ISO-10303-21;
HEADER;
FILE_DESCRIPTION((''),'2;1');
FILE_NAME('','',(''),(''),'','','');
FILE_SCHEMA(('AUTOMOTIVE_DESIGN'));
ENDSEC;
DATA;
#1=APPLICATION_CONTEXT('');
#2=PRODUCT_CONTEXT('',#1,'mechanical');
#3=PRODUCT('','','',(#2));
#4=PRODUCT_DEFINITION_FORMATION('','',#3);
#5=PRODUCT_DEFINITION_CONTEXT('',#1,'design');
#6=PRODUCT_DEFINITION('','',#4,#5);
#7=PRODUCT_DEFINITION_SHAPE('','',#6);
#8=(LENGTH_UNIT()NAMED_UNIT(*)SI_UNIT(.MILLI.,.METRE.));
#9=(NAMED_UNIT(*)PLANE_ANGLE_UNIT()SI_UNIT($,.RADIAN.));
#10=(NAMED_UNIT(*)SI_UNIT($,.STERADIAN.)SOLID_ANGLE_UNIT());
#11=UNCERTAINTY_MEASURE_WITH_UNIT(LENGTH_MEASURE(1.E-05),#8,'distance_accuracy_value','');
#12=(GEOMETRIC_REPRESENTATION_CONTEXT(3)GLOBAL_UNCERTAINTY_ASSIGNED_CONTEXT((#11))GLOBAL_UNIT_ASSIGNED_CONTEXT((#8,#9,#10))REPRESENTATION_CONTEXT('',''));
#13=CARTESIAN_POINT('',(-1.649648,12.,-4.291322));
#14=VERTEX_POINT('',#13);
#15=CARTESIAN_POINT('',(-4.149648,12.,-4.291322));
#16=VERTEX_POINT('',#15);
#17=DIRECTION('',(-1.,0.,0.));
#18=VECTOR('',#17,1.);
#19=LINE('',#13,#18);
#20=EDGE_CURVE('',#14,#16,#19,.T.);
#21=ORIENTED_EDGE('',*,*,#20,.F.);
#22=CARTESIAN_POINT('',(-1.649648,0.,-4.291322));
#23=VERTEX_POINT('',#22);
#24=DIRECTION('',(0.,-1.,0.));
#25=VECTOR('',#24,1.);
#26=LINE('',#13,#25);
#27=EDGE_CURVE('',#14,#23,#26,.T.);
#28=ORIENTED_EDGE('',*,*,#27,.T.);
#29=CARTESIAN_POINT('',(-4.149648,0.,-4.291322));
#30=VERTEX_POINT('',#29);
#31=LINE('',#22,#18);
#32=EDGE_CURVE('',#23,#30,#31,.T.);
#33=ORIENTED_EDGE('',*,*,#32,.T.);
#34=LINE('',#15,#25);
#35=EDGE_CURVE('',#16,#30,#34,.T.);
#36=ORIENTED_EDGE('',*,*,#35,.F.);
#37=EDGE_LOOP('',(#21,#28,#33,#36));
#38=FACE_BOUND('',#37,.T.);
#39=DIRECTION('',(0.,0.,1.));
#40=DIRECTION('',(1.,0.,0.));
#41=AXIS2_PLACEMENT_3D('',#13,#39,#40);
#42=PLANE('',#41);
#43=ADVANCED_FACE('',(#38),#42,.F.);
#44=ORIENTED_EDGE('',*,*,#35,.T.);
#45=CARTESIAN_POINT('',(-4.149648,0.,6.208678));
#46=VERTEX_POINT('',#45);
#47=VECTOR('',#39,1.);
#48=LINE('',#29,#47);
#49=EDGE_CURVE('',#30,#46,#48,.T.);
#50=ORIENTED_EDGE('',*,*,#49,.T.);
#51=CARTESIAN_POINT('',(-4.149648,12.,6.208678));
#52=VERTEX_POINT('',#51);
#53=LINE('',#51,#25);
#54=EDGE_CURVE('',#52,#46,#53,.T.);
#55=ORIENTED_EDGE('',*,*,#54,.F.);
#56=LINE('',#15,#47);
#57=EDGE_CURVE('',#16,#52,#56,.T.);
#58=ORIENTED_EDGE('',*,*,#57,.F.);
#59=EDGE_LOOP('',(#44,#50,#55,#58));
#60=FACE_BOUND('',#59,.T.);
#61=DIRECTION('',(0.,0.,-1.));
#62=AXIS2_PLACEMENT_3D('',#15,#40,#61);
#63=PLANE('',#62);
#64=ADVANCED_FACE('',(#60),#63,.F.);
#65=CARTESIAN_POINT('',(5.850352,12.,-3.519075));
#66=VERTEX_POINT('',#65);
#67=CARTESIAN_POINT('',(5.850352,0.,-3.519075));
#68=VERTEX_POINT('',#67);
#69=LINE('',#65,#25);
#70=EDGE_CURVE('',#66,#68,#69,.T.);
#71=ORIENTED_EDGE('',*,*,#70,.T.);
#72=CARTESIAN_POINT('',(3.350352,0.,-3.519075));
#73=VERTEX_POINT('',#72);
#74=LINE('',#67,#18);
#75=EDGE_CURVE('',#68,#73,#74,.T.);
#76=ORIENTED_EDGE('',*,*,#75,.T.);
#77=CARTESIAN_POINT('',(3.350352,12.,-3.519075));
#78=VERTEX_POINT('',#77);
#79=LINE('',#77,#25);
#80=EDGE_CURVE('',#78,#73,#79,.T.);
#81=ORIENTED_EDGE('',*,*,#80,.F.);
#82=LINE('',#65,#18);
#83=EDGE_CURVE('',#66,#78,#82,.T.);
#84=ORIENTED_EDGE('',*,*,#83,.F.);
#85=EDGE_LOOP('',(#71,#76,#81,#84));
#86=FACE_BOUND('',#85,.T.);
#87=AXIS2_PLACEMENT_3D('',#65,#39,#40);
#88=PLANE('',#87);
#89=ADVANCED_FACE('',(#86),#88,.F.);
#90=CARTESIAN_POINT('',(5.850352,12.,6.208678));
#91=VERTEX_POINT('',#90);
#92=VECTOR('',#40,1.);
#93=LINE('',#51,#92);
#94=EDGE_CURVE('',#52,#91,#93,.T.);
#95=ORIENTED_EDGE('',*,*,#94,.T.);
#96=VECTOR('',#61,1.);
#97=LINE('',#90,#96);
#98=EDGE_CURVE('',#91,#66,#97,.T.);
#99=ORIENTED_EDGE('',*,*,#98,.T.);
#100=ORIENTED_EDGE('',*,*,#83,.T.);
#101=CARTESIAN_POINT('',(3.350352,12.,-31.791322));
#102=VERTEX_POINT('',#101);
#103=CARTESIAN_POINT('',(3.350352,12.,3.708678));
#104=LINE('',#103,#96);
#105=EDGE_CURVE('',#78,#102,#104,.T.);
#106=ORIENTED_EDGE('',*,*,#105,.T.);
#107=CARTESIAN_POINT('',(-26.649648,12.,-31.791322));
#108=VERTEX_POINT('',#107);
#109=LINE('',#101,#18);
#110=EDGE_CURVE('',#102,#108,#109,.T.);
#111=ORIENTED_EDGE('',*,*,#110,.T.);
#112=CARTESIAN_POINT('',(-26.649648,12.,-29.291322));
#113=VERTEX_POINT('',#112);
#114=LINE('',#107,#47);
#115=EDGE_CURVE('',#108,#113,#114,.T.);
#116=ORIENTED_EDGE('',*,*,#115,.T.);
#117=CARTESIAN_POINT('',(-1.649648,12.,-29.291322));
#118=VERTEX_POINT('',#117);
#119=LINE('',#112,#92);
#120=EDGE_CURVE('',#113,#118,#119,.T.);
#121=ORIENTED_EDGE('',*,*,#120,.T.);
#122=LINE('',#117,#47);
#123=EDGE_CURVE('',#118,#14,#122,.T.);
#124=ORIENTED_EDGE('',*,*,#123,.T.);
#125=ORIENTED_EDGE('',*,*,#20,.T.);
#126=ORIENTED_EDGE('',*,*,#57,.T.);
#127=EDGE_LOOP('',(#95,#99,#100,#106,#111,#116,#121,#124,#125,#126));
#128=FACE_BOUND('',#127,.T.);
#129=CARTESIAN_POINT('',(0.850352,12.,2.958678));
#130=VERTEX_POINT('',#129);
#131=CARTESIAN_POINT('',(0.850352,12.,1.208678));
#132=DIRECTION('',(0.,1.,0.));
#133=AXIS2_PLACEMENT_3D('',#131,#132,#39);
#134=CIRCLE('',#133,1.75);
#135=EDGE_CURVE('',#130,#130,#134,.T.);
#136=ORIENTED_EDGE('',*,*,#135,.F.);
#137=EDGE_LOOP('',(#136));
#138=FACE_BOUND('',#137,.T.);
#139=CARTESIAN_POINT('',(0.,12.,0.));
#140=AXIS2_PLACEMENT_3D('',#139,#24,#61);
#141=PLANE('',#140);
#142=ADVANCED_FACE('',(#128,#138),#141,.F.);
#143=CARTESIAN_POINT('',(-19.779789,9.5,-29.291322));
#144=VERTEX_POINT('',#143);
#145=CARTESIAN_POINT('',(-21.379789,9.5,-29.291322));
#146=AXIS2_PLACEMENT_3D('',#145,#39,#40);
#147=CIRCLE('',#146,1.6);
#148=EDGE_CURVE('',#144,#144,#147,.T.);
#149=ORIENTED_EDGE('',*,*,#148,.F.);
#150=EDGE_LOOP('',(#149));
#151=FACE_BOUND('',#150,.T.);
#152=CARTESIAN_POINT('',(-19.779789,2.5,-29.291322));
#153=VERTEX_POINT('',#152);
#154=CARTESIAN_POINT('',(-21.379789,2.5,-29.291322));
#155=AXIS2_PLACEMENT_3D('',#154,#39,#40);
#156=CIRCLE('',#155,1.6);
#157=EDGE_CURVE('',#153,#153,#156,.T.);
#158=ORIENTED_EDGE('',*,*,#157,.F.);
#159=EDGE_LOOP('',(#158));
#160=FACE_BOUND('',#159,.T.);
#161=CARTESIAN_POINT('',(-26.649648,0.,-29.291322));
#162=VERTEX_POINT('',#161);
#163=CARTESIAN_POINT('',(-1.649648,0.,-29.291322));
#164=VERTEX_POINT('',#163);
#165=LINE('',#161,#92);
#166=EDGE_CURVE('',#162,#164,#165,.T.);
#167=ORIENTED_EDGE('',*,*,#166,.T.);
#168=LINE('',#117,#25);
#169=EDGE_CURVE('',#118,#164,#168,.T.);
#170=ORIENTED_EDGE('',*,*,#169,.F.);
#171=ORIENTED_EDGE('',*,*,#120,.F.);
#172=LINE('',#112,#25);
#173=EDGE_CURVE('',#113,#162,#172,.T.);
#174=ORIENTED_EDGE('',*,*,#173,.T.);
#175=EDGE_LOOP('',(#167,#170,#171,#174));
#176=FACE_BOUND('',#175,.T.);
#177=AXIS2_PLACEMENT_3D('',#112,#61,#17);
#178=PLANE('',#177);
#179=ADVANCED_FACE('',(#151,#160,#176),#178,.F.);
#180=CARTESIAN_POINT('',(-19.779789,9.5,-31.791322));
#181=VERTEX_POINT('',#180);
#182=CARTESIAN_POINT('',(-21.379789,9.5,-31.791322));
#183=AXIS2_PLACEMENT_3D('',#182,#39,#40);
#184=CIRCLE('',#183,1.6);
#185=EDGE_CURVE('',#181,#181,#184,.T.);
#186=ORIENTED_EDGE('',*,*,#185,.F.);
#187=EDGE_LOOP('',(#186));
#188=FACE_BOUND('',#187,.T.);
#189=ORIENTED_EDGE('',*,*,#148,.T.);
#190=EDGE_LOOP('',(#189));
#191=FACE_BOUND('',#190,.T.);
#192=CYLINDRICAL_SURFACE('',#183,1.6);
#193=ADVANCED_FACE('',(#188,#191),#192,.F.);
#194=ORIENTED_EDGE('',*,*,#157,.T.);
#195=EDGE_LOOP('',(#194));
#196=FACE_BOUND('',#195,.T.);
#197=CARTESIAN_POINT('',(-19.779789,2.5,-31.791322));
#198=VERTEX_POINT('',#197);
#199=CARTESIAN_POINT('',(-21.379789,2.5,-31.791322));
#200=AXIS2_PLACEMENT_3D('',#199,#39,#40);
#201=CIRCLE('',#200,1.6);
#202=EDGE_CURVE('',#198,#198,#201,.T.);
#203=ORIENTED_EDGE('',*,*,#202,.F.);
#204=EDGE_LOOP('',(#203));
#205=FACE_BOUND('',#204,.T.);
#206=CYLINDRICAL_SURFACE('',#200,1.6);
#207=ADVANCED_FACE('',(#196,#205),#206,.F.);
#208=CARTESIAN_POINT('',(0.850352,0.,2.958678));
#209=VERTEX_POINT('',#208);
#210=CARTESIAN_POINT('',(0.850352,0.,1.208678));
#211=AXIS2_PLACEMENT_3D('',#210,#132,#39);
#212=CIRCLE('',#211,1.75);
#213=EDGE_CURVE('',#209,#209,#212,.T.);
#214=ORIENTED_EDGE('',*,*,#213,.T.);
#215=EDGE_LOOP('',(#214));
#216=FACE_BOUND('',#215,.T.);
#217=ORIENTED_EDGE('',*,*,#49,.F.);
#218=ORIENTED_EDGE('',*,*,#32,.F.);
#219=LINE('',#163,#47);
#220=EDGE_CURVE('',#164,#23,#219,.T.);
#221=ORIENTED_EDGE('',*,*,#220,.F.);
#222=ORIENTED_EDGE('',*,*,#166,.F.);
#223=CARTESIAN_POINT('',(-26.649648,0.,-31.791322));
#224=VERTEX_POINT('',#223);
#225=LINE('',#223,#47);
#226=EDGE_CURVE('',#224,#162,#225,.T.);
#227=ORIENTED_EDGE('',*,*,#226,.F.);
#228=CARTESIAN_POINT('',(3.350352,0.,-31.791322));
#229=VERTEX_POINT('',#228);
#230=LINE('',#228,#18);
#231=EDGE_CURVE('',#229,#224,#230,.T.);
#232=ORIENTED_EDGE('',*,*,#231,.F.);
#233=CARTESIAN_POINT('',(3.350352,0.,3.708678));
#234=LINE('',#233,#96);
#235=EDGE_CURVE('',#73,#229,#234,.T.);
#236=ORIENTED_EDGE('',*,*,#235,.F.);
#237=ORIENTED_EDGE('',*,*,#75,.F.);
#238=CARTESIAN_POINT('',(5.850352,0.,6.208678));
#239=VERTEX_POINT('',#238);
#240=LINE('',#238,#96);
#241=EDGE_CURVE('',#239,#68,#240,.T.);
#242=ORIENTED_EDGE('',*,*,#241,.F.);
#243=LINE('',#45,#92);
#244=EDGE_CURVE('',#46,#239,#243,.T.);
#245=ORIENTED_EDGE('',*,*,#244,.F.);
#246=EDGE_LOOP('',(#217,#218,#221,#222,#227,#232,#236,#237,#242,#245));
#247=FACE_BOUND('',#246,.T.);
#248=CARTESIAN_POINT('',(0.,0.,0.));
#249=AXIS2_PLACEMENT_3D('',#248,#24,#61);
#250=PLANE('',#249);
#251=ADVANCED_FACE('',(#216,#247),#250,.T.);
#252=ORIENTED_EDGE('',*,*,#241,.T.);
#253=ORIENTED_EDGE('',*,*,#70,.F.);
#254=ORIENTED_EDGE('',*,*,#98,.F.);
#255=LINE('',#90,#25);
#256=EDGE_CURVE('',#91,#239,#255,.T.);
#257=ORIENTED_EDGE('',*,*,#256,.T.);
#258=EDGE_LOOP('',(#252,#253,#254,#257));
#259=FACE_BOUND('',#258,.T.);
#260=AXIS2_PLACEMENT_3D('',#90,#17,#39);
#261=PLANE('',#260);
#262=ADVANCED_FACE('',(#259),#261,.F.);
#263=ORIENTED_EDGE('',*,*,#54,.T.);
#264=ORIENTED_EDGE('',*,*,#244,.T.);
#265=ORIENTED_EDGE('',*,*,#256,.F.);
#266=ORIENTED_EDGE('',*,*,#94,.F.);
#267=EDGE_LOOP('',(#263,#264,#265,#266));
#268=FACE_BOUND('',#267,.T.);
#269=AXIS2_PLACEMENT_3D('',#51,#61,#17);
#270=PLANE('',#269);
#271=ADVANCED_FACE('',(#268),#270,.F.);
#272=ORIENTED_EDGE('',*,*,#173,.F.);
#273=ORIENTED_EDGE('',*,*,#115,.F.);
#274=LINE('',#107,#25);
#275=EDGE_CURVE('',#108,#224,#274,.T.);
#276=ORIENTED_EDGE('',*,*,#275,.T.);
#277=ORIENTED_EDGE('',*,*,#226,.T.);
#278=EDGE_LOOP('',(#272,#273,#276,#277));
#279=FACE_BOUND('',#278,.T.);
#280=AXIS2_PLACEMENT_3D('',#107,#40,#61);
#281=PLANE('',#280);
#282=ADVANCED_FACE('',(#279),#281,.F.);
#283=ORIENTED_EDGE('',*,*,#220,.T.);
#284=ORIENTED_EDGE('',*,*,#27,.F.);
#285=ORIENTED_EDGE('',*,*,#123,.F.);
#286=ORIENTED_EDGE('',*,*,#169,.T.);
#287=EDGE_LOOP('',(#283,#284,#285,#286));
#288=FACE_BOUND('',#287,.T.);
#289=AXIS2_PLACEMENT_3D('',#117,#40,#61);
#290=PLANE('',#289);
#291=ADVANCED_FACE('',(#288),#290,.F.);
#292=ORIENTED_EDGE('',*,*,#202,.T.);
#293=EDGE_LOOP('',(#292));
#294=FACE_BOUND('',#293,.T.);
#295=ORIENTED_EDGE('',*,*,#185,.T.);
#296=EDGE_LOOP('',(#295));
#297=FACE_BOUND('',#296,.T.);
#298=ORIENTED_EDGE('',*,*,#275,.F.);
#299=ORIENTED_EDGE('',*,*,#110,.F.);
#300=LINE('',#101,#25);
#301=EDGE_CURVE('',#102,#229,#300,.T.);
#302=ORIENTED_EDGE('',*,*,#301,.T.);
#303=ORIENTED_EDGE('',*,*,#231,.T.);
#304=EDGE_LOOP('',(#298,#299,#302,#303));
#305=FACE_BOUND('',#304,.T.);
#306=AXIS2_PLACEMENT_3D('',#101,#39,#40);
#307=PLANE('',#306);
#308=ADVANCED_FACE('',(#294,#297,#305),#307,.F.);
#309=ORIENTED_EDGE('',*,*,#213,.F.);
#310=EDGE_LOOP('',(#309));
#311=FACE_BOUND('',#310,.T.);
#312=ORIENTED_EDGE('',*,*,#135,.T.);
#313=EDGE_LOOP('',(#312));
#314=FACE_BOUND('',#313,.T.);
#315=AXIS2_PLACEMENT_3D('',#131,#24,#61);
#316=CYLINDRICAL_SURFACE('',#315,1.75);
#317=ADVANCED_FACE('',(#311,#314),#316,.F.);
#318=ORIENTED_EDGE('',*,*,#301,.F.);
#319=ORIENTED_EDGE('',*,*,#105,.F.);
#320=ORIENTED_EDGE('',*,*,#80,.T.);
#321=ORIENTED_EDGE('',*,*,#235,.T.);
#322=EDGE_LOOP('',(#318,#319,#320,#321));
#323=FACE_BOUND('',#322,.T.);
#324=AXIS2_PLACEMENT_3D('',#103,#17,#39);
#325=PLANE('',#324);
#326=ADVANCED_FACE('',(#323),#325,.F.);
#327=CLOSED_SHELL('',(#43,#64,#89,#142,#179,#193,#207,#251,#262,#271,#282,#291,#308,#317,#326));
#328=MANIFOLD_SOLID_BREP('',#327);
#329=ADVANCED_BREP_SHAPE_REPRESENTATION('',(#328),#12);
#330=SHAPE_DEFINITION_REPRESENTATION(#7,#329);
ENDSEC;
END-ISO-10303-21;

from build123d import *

# Parameters (mm, degrees)
SKETCH1_R           = 1.75
BOSS_EXTRUDE1_DEPTH = 12
SKETCH3_R           = 1.6
CUT_EXTRUDE1_DEPTH  = 3.5
BOSS_EXTRUDE2_DEPTH = 12


with BuildPart() as part:
    # Sketch1 → Boss-Extrude1 (new body)
    with BuildSketch(Plane(origin=(0, 0, 0), x_dir=(1, 0, 0), z_dir=(0, 1, 0))):
        Polygon((-1.649648438, 29.291322314), (-1.649648438, -3.708677686), (3.350351562, -3.708677686), (3.350351562, 31.791322314), (-26.649648438, 31.791322314), (-26.649648438, 29.291322314), align=None)
        with Locations((0.850351562, -1.208677686)):
            Circle(SKETCH1_R, mode=Mode.SUBTRACT)
    extrude(amount=BOSS_EXTRUDE1_DEPTH)

    # Sketch3 → Cut-Extrude1 (cut, through all)
    with BuildSketch(Plane.XY.offset(-29.291322314)):
        with Locations((-21.379789069, 2.5)):
            Circle(SKETCH3_R)
        with Locations((-21.379789069, 9.5)):
            Circle(SKETCH3_R)
    extrude(amount=-CUT_EXTRUDE1_DEPTH, mode=Mode.SUBTRACT)

    # Sketch4 → Boss-Extrude2 (add, through all)
    with BuildSketch(Plane(origin=(0, 0, 0), x_dir=(1, 0, 0), z_dir=(0, 1, 0))):
        Polygon((-1.649648438, 4.291322314), (-4.149648438, 4.291322314), (-4.149648438, -6.208677686), (5.850351562, -6.208677686), (5.850351562, 3.519074646), (3.350351562, 3.519074646), (3.350351562, -3.708677686), (-1.649648438, -3.708677686), align=None)
    extrude(amount=BOSS_EXTRUDE2_DEPTH)


solid = part.part
